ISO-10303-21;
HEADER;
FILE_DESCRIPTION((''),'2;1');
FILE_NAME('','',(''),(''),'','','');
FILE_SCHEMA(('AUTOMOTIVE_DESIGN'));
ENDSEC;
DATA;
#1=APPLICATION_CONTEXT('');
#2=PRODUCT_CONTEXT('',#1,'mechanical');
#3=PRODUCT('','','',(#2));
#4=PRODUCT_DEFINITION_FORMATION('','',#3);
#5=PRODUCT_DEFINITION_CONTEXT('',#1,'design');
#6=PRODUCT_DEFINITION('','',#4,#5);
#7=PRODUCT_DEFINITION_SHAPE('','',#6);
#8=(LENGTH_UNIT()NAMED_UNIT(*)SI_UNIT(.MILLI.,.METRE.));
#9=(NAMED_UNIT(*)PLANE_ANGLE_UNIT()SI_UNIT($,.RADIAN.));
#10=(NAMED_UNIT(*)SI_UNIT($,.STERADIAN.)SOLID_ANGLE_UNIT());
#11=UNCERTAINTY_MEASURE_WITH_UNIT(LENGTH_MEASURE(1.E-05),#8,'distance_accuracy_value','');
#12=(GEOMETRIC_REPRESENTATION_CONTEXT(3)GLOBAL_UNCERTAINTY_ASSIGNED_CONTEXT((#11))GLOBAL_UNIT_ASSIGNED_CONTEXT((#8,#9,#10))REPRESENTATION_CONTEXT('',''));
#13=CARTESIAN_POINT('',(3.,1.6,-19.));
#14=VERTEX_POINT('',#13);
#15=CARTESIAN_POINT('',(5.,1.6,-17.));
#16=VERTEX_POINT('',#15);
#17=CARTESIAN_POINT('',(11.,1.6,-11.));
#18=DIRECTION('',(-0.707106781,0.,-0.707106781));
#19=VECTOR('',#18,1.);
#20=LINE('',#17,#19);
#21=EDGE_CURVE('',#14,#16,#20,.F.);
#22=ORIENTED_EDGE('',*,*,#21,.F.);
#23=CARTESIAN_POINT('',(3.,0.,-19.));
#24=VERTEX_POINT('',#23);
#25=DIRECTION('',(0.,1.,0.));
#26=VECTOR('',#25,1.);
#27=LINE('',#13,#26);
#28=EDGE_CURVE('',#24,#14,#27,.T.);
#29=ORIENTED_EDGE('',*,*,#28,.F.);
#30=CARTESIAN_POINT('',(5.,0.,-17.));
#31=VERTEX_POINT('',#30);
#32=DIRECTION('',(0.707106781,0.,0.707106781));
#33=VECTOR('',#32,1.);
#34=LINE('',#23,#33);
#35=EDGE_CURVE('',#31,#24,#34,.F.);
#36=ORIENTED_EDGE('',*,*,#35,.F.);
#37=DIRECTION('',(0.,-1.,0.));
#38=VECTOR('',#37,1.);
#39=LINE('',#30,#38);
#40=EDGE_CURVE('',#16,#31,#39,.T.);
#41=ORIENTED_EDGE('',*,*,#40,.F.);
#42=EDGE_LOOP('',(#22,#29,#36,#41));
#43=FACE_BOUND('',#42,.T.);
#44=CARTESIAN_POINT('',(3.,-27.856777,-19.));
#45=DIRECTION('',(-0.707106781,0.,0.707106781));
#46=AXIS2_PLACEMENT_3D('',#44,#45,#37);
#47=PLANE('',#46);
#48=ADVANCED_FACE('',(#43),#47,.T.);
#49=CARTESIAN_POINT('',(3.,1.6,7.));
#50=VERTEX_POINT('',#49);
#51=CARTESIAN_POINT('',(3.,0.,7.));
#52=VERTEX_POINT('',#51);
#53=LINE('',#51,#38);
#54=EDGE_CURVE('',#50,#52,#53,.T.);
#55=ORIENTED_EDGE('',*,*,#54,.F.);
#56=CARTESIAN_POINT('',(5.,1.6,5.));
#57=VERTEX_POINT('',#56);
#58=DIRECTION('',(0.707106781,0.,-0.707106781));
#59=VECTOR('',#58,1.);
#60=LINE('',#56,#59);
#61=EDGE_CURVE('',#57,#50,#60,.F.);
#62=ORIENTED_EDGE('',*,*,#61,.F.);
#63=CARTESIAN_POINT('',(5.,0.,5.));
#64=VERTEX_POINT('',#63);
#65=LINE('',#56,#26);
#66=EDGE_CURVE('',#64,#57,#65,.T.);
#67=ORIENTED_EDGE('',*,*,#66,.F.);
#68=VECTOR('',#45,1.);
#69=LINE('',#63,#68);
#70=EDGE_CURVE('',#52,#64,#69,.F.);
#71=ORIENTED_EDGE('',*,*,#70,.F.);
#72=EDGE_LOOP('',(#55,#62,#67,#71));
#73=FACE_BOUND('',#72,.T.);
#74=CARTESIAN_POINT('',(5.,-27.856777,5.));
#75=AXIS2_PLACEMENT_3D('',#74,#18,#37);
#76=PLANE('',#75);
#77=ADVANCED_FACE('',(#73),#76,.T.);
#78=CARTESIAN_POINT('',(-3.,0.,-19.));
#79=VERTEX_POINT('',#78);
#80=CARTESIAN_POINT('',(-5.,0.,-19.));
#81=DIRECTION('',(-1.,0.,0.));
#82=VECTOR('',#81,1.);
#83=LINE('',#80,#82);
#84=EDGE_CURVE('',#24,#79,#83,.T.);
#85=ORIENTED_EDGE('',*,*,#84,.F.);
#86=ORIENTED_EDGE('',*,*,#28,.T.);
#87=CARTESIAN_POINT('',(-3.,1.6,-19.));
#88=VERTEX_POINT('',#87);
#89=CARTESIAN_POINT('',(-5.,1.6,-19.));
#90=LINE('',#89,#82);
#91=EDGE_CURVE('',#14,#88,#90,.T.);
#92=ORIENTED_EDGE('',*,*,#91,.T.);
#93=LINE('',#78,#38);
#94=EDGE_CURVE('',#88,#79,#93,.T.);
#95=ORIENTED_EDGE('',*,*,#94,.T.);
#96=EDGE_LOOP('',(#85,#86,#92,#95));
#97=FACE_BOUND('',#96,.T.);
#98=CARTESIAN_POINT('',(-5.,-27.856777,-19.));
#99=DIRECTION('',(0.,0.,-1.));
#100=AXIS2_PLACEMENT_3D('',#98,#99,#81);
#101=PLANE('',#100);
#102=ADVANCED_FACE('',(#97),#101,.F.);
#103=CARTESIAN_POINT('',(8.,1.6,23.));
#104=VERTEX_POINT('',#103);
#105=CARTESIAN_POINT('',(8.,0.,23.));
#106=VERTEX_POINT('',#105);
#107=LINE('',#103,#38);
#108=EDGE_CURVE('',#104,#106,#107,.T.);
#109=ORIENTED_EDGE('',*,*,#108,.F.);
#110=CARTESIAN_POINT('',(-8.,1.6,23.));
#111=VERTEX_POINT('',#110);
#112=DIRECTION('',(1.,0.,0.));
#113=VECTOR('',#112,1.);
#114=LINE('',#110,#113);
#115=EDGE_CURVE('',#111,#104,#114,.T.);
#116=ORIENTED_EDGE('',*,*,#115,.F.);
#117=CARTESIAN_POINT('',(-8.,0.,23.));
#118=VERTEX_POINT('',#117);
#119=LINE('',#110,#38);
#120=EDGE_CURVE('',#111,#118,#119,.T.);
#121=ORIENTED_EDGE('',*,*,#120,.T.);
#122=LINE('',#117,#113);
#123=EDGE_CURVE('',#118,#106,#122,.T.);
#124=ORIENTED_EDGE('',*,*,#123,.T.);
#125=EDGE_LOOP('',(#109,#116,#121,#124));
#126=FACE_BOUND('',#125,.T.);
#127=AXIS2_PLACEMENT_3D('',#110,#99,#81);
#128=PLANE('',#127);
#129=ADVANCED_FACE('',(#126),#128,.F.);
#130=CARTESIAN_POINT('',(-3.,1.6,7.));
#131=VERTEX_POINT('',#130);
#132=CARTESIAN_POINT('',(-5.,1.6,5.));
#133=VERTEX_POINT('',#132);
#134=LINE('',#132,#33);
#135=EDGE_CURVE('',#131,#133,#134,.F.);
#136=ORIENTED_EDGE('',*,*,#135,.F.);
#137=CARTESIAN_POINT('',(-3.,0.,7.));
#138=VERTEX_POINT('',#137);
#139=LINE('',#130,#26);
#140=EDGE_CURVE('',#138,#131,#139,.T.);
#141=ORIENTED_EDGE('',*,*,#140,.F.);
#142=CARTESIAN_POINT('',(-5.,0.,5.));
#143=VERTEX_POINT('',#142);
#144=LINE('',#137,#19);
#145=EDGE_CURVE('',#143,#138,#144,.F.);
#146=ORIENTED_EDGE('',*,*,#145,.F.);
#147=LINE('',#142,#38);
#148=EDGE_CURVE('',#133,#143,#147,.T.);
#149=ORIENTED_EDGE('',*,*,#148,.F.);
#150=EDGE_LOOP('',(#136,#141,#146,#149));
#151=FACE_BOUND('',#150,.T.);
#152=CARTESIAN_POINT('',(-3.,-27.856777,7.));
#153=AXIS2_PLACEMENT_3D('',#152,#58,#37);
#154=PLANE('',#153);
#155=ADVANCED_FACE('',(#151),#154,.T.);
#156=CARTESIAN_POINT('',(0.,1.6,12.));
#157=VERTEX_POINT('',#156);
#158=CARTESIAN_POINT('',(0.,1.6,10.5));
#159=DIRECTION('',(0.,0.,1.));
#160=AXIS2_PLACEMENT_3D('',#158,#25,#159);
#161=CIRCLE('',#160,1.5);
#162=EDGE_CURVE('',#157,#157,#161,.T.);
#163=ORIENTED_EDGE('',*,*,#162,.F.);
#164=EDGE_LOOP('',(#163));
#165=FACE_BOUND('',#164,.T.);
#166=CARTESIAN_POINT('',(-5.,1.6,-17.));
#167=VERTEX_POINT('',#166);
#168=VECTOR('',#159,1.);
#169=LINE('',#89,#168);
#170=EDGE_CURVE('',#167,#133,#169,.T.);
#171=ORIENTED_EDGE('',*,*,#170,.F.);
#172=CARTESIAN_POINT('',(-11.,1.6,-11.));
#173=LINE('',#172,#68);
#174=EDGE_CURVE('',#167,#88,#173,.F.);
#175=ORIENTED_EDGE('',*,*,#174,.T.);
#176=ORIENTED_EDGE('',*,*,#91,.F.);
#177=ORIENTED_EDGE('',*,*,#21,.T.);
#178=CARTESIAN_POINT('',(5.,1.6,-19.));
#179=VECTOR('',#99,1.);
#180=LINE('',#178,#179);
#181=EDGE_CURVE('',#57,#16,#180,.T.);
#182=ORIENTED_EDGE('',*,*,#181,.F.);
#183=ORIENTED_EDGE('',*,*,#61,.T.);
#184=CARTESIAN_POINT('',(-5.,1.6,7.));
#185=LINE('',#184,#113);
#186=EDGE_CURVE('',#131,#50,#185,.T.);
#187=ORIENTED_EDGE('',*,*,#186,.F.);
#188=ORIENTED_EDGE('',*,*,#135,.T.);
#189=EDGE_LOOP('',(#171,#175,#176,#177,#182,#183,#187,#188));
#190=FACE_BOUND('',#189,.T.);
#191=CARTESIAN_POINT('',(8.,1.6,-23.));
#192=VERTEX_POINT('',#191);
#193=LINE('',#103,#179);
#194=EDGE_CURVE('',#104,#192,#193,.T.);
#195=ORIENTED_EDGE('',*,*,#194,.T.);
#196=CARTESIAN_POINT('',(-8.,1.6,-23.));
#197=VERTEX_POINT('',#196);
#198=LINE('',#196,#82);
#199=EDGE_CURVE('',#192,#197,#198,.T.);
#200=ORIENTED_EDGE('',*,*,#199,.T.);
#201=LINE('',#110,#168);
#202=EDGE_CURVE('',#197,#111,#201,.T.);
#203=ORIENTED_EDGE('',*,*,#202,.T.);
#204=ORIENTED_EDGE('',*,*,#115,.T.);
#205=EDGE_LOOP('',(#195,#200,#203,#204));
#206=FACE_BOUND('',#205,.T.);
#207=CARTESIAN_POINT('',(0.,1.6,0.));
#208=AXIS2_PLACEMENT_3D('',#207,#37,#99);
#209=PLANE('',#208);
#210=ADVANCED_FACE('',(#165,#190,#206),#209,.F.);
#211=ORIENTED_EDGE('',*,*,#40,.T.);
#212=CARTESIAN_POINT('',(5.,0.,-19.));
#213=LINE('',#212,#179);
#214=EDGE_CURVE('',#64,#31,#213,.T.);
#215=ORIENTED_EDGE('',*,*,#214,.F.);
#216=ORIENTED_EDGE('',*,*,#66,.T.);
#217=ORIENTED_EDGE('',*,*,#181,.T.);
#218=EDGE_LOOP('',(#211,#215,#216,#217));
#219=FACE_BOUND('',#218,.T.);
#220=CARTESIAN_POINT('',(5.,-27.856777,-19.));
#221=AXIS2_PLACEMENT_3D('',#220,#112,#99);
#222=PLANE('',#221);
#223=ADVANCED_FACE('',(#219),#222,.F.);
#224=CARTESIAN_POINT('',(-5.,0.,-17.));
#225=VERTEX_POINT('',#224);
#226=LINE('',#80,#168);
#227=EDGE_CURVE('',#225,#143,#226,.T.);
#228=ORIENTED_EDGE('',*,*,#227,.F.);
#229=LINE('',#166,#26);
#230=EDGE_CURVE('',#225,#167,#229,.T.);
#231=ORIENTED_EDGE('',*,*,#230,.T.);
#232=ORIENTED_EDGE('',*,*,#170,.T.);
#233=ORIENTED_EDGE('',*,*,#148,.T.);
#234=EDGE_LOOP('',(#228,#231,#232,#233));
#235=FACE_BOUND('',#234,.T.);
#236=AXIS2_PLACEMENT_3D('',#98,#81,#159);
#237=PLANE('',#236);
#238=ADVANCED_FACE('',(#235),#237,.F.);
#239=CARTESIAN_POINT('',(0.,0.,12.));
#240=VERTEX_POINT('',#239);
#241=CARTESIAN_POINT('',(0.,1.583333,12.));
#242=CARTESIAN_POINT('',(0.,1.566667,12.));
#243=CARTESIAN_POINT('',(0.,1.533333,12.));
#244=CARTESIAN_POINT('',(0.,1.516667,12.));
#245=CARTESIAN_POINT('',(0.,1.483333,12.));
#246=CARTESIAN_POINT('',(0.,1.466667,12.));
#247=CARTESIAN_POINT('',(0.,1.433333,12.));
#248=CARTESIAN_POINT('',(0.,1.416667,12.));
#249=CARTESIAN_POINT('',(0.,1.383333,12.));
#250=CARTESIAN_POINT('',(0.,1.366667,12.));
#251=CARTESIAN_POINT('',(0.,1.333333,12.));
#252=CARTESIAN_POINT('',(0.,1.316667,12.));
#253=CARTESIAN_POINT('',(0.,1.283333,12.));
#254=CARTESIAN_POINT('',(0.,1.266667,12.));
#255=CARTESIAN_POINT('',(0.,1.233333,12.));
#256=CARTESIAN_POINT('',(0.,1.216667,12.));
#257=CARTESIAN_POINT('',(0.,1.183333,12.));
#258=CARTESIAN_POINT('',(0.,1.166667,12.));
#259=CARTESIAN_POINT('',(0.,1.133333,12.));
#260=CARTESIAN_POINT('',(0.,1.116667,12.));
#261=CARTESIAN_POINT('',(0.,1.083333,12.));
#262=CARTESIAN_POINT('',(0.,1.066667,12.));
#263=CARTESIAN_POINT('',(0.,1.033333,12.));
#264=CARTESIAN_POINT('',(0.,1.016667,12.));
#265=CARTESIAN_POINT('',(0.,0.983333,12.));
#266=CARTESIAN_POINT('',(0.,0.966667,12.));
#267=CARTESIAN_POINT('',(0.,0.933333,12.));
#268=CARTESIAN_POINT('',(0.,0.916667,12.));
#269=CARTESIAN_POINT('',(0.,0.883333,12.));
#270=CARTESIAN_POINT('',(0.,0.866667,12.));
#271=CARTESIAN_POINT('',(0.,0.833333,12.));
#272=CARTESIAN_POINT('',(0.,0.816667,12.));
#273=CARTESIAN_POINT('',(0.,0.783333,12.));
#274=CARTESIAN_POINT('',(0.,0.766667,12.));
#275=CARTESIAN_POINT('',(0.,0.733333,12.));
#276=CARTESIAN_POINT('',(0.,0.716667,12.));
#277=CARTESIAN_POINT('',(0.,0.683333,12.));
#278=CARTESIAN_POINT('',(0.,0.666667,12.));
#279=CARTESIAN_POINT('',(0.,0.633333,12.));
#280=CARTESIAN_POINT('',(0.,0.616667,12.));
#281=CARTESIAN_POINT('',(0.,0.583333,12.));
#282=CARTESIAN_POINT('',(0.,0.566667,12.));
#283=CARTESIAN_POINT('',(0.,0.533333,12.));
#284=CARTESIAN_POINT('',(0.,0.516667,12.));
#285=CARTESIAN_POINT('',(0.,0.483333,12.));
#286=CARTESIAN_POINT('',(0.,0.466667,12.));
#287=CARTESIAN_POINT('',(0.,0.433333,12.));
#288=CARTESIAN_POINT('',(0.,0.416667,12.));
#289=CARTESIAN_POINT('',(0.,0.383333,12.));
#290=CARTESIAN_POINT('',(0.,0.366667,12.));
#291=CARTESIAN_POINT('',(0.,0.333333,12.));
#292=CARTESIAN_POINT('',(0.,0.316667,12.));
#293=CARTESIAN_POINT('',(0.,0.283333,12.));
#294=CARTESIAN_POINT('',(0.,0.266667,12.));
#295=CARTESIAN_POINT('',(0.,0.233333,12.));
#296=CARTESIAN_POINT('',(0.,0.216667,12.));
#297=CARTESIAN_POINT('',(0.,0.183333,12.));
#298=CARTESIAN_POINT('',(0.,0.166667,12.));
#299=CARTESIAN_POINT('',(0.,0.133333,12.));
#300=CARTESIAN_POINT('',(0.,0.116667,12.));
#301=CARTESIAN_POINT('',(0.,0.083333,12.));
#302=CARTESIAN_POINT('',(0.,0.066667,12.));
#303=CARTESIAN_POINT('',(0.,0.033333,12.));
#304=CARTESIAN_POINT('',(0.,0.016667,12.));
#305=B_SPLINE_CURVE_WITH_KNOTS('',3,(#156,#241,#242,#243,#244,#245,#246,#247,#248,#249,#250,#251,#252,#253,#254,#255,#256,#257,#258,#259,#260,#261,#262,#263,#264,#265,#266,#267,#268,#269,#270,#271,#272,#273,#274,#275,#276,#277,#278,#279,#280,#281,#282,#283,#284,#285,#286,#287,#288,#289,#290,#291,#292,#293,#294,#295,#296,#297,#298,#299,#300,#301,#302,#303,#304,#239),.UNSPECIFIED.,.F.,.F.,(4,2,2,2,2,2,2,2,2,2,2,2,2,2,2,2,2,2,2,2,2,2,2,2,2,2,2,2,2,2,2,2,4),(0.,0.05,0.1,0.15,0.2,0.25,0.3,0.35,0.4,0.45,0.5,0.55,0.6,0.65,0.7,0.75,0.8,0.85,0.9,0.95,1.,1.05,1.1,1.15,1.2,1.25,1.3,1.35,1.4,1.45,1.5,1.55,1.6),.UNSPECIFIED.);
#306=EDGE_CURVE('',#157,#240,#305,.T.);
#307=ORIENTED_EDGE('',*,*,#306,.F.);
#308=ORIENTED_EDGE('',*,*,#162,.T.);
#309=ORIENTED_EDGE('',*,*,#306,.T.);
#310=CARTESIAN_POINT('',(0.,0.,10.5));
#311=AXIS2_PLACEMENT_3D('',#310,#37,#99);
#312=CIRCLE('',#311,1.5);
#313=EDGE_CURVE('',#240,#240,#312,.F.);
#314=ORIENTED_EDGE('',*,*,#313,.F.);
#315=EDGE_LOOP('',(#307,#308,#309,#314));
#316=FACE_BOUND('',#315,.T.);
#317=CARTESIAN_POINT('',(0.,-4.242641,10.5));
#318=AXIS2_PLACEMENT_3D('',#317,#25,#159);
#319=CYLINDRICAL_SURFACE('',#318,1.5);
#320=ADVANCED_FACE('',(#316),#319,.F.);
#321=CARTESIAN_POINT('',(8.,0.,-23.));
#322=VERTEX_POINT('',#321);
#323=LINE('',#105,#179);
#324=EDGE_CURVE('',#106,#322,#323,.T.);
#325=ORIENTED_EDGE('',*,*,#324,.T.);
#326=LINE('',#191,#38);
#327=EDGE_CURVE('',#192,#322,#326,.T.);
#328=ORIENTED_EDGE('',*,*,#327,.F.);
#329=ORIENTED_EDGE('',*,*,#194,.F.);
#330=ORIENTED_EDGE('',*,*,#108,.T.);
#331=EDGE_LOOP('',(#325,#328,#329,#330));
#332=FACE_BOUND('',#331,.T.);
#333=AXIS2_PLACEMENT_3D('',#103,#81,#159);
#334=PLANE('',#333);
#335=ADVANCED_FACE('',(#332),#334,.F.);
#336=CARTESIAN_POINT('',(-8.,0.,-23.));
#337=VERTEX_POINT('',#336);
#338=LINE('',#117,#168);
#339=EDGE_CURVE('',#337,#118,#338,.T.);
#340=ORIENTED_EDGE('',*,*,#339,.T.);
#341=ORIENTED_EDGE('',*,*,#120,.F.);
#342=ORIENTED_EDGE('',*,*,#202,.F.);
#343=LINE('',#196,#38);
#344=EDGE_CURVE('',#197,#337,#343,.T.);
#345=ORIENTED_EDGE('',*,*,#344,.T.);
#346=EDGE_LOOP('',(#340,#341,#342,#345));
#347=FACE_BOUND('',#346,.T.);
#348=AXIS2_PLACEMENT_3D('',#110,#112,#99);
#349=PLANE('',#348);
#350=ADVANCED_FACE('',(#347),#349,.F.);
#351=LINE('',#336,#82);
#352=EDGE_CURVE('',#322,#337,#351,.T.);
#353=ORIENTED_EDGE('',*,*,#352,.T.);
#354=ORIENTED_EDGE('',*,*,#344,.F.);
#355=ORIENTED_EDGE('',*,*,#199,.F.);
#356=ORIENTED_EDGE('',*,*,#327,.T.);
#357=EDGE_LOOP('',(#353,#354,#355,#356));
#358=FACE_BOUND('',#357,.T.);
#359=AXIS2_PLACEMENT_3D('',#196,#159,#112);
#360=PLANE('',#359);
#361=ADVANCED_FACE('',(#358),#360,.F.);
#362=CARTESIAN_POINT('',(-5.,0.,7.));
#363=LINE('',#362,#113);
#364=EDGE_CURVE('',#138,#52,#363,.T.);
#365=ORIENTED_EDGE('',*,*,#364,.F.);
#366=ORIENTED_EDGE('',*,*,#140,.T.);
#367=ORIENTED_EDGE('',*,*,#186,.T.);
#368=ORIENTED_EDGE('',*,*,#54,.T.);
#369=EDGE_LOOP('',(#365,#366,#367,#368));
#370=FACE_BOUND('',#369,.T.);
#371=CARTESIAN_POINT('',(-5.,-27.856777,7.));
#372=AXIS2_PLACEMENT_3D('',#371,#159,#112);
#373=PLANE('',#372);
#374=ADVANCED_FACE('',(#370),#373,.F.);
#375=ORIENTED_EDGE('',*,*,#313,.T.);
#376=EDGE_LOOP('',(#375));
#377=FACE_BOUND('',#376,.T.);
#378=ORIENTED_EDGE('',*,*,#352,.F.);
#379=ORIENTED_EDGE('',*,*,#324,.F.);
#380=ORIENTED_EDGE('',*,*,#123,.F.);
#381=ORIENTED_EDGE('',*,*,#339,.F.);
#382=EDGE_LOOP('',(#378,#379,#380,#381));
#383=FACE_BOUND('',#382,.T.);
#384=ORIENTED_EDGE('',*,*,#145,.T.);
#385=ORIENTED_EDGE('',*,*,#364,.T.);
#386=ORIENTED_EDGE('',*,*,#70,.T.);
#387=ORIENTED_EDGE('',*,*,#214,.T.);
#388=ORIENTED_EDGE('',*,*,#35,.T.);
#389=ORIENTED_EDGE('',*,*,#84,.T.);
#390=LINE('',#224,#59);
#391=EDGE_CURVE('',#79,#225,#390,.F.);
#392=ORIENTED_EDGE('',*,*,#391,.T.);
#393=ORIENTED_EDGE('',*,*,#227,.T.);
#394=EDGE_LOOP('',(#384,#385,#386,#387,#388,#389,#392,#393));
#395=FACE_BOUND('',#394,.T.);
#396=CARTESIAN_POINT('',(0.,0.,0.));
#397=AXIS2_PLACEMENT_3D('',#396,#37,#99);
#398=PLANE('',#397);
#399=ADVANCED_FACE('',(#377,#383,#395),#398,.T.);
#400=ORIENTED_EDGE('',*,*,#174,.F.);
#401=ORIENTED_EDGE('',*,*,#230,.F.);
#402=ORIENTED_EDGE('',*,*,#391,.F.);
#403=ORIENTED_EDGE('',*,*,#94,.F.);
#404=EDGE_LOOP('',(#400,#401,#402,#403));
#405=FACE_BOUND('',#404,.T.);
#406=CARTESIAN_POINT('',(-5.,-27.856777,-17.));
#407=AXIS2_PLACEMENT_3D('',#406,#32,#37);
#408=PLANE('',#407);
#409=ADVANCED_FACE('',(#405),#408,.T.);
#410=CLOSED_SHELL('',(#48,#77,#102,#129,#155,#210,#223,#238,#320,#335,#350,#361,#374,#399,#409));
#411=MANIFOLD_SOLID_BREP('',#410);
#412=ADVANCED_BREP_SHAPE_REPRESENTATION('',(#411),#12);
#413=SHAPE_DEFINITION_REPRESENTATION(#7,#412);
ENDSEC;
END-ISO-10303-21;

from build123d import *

# Parameters (mm, degrees)
SKETCH1_W           = 16
SKETCH1_H           = 46
BOSS_EXTRUDE1_DEPTH = 1.6
SKETCH3_W           = 10
SKETCH3_H           = 26
CUT_EXTRUDE2_DEPTH  = 1.6
CHAMFER2_SIZE       = 2
SKETCH4_R           = 1.5
CUT_EXTRUDE3_DEPTH  = 1.6


with BuildPart() as part:
    # Sketch1 → Boss-Extrude1 (new body)
    with BuildSketch(Plane(origin=(0, 0, 0), x_dir=(1, 0, 0), z_dir=(0, 1, 0))):
        Rectangle(SKETCH1_W, SKETCH1_H)
    extrude(amount=BOSS_EXTRUDE1_DEPTH)

    # Sketch3 → Cut-Extrude2 (cut)
    with BuildSketch(Plane(origin=(0, 1.6, 0), x_dir=(1, 0, 0), z_dir=(0, 1, 0))):
        with Locations((0, 6)):
            Rectangle(SKETCH3_W, SKETCH3_H)
    extrude(amount=-CUT_EXTRUDE2_DEPTH, mode=Mode.SUBTRACT)

    # Chamfer2
    chamfer2_edges = [part.edges().sort_by_distance(p)[0] for p in [
        (5, 0.8, 7),
        (5, 0.8, -19),
        (-5, 0.8, -19),
        (-5, 0.8, 7),
    ]]
    chamfer(chamfer2_edges, length=CHAMFER2_SIZE)

    # Sketch4 → Cut-Extrude3 (cut)
    with BuildSketch(Plane(origin=(0, 1.6, 0), x_dir=(1, 0, 0), z_dir=(0, 1, 0))):
        with Locations(Location((0, -10.5, 0), (0, 0, 270))):
            Circle(SKETCH4_R)
    extrude(amount=-CUT_EXTRUDE3_DEPTH, mode=Mode.SUBTRACT)


solid = part.part
